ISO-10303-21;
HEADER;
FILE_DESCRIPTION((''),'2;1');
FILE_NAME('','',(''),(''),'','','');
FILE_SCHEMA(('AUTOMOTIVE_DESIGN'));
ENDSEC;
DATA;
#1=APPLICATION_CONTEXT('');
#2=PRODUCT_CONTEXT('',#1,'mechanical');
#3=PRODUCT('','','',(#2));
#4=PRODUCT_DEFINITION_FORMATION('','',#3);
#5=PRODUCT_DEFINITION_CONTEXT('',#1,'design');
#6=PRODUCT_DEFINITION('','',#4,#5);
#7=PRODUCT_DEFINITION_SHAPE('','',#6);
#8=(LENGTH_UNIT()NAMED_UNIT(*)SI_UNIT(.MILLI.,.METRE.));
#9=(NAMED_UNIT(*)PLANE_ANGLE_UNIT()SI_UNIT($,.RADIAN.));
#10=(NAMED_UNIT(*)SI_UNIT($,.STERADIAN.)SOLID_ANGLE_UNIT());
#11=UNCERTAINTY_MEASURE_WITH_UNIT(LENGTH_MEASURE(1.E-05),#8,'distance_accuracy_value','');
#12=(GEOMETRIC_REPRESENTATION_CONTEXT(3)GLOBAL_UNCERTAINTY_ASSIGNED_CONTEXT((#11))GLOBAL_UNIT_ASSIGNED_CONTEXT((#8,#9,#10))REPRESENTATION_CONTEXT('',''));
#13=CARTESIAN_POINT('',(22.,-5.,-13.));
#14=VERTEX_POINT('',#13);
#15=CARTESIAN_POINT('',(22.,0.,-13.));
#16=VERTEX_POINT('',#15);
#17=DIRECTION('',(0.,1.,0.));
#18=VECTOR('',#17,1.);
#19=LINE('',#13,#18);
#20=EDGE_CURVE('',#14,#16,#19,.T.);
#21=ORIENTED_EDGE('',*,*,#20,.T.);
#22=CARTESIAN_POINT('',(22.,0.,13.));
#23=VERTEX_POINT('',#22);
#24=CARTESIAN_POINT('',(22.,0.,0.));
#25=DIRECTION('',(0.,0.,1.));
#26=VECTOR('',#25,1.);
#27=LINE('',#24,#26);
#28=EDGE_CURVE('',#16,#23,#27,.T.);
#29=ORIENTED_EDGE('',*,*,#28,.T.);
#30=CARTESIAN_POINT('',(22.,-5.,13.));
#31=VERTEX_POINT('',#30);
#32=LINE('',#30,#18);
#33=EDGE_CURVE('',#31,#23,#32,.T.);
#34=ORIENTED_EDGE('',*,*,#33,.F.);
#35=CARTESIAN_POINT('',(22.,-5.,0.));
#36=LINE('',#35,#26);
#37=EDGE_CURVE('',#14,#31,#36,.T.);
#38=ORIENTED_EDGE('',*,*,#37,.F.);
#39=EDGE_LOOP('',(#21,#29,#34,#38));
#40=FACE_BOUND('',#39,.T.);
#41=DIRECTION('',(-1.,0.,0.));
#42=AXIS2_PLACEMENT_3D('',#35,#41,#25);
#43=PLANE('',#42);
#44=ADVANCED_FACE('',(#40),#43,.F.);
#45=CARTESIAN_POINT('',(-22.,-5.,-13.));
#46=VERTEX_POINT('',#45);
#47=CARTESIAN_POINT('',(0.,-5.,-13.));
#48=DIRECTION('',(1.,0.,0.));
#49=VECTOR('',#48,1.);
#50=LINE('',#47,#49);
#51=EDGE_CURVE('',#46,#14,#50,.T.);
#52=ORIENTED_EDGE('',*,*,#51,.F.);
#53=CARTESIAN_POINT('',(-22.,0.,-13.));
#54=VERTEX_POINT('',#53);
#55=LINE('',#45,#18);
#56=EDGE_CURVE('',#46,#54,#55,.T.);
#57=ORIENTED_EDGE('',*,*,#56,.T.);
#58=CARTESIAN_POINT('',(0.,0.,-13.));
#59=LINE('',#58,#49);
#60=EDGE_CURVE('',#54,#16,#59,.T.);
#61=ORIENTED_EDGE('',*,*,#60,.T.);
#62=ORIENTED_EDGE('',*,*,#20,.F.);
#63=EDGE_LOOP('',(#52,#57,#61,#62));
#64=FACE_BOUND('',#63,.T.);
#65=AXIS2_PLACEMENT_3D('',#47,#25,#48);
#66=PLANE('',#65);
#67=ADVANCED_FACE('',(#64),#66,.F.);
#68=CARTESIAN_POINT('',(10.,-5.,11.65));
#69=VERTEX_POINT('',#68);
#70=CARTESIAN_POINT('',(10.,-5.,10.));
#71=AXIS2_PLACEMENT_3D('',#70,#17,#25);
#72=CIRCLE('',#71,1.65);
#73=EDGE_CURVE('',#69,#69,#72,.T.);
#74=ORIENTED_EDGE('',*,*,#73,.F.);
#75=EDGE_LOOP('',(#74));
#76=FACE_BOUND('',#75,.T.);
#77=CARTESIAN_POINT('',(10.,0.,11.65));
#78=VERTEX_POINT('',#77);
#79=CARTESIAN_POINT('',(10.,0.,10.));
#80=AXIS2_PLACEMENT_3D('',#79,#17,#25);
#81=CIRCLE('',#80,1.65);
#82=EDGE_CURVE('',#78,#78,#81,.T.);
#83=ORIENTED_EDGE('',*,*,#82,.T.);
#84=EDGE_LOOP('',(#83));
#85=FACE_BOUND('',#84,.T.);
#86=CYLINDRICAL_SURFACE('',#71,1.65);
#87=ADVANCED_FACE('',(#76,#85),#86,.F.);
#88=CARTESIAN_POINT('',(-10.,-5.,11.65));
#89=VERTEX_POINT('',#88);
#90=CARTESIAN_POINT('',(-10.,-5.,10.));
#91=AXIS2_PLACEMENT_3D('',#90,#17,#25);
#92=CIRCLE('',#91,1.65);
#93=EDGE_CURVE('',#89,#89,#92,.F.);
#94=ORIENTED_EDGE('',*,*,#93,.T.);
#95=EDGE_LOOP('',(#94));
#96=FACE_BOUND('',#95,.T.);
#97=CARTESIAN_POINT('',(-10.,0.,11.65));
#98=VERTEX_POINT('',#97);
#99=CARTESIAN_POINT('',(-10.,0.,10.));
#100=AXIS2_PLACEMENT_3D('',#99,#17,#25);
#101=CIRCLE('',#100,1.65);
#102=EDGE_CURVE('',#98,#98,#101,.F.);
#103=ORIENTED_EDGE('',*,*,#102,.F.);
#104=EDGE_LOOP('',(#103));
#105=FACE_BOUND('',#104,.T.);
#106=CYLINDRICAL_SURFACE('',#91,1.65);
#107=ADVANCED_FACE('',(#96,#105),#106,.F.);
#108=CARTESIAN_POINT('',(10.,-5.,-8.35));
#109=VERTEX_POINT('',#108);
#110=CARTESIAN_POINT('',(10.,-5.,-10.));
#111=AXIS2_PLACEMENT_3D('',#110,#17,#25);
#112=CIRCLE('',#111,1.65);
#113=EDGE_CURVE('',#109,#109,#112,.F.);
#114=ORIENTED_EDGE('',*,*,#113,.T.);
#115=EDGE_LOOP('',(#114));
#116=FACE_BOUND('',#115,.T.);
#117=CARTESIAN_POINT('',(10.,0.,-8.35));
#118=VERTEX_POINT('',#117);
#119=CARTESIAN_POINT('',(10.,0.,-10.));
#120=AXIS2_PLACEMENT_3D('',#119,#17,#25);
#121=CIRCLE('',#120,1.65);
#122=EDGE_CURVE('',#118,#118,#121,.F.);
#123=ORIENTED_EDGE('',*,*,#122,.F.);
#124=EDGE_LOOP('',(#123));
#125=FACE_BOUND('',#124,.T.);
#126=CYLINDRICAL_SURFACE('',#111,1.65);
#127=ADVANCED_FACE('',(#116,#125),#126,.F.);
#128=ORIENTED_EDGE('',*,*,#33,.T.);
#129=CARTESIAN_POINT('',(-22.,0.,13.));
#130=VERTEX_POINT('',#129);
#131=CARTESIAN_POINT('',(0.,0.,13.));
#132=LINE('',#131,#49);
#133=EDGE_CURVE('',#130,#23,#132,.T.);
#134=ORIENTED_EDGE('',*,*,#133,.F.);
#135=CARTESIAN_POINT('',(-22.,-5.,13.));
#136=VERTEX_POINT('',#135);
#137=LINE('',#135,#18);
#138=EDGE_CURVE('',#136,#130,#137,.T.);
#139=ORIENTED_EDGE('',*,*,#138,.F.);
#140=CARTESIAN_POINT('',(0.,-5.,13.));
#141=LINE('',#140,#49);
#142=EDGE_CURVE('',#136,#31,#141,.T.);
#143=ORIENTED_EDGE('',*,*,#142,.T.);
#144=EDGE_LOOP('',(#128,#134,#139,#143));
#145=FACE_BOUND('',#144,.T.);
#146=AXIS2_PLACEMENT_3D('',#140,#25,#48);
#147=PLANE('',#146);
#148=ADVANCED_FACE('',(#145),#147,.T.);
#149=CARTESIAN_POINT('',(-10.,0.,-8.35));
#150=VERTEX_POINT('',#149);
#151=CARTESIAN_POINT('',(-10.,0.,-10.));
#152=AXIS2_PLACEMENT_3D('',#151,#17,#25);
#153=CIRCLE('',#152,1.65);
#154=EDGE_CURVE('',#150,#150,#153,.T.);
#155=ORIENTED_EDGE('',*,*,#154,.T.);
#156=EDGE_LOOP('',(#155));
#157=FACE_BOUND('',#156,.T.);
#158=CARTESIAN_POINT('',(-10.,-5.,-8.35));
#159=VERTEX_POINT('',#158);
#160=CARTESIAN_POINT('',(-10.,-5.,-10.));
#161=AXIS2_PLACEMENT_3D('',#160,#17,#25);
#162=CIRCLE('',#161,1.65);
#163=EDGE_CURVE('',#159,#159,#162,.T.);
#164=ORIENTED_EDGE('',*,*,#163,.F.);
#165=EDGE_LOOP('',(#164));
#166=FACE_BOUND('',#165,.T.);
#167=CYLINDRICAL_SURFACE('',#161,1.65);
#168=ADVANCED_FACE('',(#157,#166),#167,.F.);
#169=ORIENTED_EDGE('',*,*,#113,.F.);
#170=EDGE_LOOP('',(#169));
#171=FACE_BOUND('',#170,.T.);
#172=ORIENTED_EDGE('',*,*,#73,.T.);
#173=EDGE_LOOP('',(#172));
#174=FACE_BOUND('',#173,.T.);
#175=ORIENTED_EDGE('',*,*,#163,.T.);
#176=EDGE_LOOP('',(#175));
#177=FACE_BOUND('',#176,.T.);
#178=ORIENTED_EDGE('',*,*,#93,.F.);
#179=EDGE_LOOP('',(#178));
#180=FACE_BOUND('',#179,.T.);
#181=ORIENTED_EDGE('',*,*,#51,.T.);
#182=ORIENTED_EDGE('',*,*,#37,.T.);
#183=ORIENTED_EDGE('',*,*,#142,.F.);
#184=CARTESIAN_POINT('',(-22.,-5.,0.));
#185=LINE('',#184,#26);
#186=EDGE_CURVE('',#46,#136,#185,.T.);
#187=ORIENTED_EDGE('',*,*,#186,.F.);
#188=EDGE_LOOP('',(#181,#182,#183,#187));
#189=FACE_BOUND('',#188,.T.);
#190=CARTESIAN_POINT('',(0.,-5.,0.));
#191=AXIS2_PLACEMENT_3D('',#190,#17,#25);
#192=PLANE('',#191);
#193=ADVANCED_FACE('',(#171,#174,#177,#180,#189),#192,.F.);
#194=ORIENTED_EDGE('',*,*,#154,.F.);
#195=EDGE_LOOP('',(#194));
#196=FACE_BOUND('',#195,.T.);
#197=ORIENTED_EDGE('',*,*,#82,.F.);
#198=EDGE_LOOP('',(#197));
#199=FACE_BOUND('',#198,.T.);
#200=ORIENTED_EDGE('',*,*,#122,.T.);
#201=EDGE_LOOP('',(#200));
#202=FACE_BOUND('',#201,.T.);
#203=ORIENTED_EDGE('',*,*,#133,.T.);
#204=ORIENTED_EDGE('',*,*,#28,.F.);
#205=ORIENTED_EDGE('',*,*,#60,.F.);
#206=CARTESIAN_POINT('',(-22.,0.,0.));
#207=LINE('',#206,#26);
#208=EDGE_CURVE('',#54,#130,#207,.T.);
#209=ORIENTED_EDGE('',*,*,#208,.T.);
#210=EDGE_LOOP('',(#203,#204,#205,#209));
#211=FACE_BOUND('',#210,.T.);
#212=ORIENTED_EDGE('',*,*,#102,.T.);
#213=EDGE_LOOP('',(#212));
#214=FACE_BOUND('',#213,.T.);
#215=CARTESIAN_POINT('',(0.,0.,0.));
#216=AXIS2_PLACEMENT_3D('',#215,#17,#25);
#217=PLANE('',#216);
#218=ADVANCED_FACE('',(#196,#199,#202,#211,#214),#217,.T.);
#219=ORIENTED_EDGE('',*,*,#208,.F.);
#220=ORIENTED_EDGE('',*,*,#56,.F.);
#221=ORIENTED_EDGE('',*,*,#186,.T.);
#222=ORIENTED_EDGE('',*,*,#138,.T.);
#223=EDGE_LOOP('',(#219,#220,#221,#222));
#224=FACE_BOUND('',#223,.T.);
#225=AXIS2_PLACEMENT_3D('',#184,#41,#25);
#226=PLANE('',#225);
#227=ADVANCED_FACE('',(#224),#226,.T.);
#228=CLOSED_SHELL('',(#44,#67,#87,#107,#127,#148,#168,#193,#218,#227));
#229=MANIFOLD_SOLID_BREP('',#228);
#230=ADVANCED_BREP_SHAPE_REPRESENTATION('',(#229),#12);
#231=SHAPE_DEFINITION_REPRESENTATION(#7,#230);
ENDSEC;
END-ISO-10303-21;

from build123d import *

# Parameters (mm, degrees)
SKETCH2_W           = 8.25
SKETCH2_H           = 8.25
SKETCH2_R           = 1.65
BOSS_EXTRUDE1_DEPTH = 5


with BuildPart() as part:
    # Sketch2 → Boss-Extrude1 (new body)
    # profile 1 of 5: a face of its own
    with BuildSketch(Plane(origin=(0, 0, 0), x_dir=(1, 0, 0), z_dir=(0, 1, 0))):
        with Locations((-10, 8.875)):
            Rectangle(SKETCH2_W, SKETCH2_H)
        with Locations(Location((-10, 10, 0), (0, 0, 270))):
            Circle(SKETCH2_R, mode=Mode.SUBTRACT)
    # profile 2 of 5: a face of its own
    with BuildSketch(Plane(origin=(0, 0, 0), x_dir=(1, 0, 0), z_dir=(0, 1, 0))):
        Polygon((-22, 13), (-22, -13), (-14.125, -13), (-14.125, -4.75), (-5.875, -4.75), (-5.875, -13), (5.875, -13), (5.875, -4.75), (14.125, -4.75), (14.125, -13), (22, -13), (22, 13), (14.125, 13), (14.125, 4.75), (5.875, 4.75), (5.875, 13), (-5.875, 13), (-5.875, 4.75), (-14.125, 4.75), (-14.125, 13), align=None)
    # profile 3 of 5: a face of its own
    with BuildSketch(Plane(origin=(0, 0, 0), x_dir=(1, 0, 0), z_dir=(0, 1, 0))):
        with Locations((10, 8.875)):
            Rectangle(SKETCH2_W, SKETCH2_H)
        with Locations(Location((10, 10, 0), (0, 0, 270))):
            Circle(SKETCH2_R, mode=Mode.SUBTRACT)
    # profile 4 of 5: a face of its own
    with BuildSketch(Plane(origin=(0, 0, 0), x_dir=(1, 0, 0), z_dir=(0, 1, 0))):
        with Locations((10, -8.875)):
            Rectangle(SKETCH2_W, SKETCH2_H)
        with Locations(Location((10, -10, 0), (0, 0, 270))):
            Circle(SKETCH2_R, mode=Mode.SUBTRACT)
    # profile 5 of 5: a face of its own
    with BuildSketch(Plane(origin=(0, 0, 0), x_dir=(1, 0, 0), z_dir=(0, 1, 0))):
        with Locations((-10, -8.875)):
            Rectangle(SKETCH2_W, SKETCH2_H)
        with Locations(Location((-10, -10, 0), (0, 0, 270))):
            Circle(SKETCH2_R, mode=Mode.SUBTRACT)
    extrude(amount=-BOSS_EXTRUDE1_DEPTH)


solid = part.part
